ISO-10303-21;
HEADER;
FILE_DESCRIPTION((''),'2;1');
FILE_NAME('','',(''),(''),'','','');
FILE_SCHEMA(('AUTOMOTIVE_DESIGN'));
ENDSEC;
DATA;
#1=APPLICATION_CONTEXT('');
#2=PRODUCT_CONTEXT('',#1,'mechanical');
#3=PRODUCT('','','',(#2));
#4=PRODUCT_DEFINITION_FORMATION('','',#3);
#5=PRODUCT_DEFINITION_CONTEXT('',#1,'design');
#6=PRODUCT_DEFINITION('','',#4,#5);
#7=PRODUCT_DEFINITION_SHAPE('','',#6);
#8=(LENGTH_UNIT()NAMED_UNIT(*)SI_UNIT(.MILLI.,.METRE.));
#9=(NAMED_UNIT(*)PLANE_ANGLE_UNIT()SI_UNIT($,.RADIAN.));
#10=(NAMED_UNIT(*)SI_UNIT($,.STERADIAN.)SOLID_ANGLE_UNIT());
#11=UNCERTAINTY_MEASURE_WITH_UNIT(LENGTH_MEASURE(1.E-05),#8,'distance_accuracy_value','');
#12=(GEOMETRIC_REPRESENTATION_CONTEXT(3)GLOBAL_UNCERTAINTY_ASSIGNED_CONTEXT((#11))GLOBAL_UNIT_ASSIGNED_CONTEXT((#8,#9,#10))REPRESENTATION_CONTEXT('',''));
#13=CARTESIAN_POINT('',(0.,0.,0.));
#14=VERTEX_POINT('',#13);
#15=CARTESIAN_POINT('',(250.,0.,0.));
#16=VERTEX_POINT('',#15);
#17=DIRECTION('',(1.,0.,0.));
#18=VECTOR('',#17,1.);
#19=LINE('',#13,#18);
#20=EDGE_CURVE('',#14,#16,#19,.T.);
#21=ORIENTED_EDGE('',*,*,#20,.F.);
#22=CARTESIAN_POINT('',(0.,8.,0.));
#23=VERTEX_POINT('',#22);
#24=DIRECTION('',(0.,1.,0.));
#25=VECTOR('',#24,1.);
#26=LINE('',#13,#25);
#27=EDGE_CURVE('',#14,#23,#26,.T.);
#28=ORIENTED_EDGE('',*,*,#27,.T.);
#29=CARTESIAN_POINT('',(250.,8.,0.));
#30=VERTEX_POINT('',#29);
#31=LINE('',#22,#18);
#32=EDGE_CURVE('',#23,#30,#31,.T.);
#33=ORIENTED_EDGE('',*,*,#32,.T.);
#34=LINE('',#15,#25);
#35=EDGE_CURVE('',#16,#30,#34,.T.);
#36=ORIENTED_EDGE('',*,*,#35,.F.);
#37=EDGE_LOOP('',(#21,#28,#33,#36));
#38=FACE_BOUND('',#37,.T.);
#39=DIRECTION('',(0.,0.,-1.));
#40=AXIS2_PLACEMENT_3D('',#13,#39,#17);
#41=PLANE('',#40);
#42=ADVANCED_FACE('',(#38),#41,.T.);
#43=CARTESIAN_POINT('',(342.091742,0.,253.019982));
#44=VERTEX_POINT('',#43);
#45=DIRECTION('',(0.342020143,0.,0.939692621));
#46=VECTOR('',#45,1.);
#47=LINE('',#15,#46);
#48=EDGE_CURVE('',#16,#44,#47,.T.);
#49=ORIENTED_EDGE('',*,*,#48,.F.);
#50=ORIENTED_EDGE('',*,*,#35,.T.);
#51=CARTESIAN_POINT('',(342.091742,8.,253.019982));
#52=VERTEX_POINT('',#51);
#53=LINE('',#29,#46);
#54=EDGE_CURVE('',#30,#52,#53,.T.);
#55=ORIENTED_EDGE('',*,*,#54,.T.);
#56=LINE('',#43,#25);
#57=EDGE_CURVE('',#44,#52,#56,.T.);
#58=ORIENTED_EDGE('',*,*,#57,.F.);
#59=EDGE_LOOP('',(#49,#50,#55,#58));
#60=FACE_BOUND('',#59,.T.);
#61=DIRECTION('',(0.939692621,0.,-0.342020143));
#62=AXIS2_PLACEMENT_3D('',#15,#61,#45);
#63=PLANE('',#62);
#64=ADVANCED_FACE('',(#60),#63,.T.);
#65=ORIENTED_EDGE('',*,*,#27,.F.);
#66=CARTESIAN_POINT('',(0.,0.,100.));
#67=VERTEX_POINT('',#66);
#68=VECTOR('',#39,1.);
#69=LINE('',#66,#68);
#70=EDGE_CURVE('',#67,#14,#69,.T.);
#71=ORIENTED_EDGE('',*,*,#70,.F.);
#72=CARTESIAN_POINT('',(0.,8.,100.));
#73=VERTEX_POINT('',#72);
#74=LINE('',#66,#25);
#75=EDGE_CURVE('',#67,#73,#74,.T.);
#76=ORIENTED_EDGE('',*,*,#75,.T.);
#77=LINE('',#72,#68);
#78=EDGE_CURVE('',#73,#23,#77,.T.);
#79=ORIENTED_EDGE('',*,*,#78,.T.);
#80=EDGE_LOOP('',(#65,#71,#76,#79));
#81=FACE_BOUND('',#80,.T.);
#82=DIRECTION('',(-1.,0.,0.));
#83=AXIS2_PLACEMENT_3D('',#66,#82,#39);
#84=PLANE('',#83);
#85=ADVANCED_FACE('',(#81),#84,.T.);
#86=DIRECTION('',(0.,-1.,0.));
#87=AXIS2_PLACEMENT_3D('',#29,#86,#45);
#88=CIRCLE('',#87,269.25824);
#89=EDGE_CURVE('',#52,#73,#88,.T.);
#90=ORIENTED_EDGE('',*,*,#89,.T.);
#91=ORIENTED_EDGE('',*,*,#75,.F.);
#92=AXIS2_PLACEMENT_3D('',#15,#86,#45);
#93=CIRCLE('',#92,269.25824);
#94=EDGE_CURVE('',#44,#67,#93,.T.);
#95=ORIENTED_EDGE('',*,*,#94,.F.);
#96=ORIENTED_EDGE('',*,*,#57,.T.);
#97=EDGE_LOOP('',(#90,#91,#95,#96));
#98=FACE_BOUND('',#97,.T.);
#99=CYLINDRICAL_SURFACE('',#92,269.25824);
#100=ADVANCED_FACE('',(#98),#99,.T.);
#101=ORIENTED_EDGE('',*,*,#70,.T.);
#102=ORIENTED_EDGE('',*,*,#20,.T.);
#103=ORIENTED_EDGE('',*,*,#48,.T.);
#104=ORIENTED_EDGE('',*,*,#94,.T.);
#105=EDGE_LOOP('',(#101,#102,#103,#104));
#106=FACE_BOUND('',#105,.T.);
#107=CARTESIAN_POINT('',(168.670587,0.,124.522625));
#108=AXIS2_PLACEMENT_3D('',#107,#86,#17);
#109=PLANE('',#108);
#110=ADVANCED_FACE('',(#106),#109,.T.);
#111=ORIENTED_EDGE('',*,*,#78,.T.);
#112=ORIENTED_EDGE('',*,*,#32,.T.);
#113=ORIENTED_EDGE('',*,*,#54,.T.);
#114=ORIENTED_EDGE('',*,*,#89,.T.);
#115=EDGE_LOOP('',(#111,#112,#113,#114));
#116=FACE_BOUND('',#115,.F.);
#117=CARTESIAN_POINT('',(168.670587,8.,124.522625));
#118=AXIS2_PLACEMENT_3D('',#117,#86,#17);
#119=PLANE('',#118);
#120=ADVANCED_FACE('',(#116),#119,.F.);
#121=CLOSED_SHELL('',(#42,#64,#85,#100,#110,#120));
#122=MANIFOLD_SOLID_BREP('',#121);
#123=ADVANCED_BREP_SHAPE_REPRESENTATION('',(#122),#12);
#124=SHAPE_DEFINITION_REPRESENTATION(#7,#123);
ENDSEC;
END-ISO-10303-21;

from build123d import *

# Parameters (mm, degrees)
F1_DEPTH = 8


with BuildPart() as f1:
    # F0 (on Front) → F1 (new body)
    with BuildSketch(Plane.XZ):
        with BuildLine():
            Line((0, 100), (0, 0))
            Line((0, 0), (250, 0))
            Line((250, 0), (342.091742, 253.019982))
            ThreePointArc((342.091742, 253.019982), (140.056682, 245.789477), (0, 100))
        make_face()
    extrude(amount=-F1_DEPTH)


solid = f1.part
